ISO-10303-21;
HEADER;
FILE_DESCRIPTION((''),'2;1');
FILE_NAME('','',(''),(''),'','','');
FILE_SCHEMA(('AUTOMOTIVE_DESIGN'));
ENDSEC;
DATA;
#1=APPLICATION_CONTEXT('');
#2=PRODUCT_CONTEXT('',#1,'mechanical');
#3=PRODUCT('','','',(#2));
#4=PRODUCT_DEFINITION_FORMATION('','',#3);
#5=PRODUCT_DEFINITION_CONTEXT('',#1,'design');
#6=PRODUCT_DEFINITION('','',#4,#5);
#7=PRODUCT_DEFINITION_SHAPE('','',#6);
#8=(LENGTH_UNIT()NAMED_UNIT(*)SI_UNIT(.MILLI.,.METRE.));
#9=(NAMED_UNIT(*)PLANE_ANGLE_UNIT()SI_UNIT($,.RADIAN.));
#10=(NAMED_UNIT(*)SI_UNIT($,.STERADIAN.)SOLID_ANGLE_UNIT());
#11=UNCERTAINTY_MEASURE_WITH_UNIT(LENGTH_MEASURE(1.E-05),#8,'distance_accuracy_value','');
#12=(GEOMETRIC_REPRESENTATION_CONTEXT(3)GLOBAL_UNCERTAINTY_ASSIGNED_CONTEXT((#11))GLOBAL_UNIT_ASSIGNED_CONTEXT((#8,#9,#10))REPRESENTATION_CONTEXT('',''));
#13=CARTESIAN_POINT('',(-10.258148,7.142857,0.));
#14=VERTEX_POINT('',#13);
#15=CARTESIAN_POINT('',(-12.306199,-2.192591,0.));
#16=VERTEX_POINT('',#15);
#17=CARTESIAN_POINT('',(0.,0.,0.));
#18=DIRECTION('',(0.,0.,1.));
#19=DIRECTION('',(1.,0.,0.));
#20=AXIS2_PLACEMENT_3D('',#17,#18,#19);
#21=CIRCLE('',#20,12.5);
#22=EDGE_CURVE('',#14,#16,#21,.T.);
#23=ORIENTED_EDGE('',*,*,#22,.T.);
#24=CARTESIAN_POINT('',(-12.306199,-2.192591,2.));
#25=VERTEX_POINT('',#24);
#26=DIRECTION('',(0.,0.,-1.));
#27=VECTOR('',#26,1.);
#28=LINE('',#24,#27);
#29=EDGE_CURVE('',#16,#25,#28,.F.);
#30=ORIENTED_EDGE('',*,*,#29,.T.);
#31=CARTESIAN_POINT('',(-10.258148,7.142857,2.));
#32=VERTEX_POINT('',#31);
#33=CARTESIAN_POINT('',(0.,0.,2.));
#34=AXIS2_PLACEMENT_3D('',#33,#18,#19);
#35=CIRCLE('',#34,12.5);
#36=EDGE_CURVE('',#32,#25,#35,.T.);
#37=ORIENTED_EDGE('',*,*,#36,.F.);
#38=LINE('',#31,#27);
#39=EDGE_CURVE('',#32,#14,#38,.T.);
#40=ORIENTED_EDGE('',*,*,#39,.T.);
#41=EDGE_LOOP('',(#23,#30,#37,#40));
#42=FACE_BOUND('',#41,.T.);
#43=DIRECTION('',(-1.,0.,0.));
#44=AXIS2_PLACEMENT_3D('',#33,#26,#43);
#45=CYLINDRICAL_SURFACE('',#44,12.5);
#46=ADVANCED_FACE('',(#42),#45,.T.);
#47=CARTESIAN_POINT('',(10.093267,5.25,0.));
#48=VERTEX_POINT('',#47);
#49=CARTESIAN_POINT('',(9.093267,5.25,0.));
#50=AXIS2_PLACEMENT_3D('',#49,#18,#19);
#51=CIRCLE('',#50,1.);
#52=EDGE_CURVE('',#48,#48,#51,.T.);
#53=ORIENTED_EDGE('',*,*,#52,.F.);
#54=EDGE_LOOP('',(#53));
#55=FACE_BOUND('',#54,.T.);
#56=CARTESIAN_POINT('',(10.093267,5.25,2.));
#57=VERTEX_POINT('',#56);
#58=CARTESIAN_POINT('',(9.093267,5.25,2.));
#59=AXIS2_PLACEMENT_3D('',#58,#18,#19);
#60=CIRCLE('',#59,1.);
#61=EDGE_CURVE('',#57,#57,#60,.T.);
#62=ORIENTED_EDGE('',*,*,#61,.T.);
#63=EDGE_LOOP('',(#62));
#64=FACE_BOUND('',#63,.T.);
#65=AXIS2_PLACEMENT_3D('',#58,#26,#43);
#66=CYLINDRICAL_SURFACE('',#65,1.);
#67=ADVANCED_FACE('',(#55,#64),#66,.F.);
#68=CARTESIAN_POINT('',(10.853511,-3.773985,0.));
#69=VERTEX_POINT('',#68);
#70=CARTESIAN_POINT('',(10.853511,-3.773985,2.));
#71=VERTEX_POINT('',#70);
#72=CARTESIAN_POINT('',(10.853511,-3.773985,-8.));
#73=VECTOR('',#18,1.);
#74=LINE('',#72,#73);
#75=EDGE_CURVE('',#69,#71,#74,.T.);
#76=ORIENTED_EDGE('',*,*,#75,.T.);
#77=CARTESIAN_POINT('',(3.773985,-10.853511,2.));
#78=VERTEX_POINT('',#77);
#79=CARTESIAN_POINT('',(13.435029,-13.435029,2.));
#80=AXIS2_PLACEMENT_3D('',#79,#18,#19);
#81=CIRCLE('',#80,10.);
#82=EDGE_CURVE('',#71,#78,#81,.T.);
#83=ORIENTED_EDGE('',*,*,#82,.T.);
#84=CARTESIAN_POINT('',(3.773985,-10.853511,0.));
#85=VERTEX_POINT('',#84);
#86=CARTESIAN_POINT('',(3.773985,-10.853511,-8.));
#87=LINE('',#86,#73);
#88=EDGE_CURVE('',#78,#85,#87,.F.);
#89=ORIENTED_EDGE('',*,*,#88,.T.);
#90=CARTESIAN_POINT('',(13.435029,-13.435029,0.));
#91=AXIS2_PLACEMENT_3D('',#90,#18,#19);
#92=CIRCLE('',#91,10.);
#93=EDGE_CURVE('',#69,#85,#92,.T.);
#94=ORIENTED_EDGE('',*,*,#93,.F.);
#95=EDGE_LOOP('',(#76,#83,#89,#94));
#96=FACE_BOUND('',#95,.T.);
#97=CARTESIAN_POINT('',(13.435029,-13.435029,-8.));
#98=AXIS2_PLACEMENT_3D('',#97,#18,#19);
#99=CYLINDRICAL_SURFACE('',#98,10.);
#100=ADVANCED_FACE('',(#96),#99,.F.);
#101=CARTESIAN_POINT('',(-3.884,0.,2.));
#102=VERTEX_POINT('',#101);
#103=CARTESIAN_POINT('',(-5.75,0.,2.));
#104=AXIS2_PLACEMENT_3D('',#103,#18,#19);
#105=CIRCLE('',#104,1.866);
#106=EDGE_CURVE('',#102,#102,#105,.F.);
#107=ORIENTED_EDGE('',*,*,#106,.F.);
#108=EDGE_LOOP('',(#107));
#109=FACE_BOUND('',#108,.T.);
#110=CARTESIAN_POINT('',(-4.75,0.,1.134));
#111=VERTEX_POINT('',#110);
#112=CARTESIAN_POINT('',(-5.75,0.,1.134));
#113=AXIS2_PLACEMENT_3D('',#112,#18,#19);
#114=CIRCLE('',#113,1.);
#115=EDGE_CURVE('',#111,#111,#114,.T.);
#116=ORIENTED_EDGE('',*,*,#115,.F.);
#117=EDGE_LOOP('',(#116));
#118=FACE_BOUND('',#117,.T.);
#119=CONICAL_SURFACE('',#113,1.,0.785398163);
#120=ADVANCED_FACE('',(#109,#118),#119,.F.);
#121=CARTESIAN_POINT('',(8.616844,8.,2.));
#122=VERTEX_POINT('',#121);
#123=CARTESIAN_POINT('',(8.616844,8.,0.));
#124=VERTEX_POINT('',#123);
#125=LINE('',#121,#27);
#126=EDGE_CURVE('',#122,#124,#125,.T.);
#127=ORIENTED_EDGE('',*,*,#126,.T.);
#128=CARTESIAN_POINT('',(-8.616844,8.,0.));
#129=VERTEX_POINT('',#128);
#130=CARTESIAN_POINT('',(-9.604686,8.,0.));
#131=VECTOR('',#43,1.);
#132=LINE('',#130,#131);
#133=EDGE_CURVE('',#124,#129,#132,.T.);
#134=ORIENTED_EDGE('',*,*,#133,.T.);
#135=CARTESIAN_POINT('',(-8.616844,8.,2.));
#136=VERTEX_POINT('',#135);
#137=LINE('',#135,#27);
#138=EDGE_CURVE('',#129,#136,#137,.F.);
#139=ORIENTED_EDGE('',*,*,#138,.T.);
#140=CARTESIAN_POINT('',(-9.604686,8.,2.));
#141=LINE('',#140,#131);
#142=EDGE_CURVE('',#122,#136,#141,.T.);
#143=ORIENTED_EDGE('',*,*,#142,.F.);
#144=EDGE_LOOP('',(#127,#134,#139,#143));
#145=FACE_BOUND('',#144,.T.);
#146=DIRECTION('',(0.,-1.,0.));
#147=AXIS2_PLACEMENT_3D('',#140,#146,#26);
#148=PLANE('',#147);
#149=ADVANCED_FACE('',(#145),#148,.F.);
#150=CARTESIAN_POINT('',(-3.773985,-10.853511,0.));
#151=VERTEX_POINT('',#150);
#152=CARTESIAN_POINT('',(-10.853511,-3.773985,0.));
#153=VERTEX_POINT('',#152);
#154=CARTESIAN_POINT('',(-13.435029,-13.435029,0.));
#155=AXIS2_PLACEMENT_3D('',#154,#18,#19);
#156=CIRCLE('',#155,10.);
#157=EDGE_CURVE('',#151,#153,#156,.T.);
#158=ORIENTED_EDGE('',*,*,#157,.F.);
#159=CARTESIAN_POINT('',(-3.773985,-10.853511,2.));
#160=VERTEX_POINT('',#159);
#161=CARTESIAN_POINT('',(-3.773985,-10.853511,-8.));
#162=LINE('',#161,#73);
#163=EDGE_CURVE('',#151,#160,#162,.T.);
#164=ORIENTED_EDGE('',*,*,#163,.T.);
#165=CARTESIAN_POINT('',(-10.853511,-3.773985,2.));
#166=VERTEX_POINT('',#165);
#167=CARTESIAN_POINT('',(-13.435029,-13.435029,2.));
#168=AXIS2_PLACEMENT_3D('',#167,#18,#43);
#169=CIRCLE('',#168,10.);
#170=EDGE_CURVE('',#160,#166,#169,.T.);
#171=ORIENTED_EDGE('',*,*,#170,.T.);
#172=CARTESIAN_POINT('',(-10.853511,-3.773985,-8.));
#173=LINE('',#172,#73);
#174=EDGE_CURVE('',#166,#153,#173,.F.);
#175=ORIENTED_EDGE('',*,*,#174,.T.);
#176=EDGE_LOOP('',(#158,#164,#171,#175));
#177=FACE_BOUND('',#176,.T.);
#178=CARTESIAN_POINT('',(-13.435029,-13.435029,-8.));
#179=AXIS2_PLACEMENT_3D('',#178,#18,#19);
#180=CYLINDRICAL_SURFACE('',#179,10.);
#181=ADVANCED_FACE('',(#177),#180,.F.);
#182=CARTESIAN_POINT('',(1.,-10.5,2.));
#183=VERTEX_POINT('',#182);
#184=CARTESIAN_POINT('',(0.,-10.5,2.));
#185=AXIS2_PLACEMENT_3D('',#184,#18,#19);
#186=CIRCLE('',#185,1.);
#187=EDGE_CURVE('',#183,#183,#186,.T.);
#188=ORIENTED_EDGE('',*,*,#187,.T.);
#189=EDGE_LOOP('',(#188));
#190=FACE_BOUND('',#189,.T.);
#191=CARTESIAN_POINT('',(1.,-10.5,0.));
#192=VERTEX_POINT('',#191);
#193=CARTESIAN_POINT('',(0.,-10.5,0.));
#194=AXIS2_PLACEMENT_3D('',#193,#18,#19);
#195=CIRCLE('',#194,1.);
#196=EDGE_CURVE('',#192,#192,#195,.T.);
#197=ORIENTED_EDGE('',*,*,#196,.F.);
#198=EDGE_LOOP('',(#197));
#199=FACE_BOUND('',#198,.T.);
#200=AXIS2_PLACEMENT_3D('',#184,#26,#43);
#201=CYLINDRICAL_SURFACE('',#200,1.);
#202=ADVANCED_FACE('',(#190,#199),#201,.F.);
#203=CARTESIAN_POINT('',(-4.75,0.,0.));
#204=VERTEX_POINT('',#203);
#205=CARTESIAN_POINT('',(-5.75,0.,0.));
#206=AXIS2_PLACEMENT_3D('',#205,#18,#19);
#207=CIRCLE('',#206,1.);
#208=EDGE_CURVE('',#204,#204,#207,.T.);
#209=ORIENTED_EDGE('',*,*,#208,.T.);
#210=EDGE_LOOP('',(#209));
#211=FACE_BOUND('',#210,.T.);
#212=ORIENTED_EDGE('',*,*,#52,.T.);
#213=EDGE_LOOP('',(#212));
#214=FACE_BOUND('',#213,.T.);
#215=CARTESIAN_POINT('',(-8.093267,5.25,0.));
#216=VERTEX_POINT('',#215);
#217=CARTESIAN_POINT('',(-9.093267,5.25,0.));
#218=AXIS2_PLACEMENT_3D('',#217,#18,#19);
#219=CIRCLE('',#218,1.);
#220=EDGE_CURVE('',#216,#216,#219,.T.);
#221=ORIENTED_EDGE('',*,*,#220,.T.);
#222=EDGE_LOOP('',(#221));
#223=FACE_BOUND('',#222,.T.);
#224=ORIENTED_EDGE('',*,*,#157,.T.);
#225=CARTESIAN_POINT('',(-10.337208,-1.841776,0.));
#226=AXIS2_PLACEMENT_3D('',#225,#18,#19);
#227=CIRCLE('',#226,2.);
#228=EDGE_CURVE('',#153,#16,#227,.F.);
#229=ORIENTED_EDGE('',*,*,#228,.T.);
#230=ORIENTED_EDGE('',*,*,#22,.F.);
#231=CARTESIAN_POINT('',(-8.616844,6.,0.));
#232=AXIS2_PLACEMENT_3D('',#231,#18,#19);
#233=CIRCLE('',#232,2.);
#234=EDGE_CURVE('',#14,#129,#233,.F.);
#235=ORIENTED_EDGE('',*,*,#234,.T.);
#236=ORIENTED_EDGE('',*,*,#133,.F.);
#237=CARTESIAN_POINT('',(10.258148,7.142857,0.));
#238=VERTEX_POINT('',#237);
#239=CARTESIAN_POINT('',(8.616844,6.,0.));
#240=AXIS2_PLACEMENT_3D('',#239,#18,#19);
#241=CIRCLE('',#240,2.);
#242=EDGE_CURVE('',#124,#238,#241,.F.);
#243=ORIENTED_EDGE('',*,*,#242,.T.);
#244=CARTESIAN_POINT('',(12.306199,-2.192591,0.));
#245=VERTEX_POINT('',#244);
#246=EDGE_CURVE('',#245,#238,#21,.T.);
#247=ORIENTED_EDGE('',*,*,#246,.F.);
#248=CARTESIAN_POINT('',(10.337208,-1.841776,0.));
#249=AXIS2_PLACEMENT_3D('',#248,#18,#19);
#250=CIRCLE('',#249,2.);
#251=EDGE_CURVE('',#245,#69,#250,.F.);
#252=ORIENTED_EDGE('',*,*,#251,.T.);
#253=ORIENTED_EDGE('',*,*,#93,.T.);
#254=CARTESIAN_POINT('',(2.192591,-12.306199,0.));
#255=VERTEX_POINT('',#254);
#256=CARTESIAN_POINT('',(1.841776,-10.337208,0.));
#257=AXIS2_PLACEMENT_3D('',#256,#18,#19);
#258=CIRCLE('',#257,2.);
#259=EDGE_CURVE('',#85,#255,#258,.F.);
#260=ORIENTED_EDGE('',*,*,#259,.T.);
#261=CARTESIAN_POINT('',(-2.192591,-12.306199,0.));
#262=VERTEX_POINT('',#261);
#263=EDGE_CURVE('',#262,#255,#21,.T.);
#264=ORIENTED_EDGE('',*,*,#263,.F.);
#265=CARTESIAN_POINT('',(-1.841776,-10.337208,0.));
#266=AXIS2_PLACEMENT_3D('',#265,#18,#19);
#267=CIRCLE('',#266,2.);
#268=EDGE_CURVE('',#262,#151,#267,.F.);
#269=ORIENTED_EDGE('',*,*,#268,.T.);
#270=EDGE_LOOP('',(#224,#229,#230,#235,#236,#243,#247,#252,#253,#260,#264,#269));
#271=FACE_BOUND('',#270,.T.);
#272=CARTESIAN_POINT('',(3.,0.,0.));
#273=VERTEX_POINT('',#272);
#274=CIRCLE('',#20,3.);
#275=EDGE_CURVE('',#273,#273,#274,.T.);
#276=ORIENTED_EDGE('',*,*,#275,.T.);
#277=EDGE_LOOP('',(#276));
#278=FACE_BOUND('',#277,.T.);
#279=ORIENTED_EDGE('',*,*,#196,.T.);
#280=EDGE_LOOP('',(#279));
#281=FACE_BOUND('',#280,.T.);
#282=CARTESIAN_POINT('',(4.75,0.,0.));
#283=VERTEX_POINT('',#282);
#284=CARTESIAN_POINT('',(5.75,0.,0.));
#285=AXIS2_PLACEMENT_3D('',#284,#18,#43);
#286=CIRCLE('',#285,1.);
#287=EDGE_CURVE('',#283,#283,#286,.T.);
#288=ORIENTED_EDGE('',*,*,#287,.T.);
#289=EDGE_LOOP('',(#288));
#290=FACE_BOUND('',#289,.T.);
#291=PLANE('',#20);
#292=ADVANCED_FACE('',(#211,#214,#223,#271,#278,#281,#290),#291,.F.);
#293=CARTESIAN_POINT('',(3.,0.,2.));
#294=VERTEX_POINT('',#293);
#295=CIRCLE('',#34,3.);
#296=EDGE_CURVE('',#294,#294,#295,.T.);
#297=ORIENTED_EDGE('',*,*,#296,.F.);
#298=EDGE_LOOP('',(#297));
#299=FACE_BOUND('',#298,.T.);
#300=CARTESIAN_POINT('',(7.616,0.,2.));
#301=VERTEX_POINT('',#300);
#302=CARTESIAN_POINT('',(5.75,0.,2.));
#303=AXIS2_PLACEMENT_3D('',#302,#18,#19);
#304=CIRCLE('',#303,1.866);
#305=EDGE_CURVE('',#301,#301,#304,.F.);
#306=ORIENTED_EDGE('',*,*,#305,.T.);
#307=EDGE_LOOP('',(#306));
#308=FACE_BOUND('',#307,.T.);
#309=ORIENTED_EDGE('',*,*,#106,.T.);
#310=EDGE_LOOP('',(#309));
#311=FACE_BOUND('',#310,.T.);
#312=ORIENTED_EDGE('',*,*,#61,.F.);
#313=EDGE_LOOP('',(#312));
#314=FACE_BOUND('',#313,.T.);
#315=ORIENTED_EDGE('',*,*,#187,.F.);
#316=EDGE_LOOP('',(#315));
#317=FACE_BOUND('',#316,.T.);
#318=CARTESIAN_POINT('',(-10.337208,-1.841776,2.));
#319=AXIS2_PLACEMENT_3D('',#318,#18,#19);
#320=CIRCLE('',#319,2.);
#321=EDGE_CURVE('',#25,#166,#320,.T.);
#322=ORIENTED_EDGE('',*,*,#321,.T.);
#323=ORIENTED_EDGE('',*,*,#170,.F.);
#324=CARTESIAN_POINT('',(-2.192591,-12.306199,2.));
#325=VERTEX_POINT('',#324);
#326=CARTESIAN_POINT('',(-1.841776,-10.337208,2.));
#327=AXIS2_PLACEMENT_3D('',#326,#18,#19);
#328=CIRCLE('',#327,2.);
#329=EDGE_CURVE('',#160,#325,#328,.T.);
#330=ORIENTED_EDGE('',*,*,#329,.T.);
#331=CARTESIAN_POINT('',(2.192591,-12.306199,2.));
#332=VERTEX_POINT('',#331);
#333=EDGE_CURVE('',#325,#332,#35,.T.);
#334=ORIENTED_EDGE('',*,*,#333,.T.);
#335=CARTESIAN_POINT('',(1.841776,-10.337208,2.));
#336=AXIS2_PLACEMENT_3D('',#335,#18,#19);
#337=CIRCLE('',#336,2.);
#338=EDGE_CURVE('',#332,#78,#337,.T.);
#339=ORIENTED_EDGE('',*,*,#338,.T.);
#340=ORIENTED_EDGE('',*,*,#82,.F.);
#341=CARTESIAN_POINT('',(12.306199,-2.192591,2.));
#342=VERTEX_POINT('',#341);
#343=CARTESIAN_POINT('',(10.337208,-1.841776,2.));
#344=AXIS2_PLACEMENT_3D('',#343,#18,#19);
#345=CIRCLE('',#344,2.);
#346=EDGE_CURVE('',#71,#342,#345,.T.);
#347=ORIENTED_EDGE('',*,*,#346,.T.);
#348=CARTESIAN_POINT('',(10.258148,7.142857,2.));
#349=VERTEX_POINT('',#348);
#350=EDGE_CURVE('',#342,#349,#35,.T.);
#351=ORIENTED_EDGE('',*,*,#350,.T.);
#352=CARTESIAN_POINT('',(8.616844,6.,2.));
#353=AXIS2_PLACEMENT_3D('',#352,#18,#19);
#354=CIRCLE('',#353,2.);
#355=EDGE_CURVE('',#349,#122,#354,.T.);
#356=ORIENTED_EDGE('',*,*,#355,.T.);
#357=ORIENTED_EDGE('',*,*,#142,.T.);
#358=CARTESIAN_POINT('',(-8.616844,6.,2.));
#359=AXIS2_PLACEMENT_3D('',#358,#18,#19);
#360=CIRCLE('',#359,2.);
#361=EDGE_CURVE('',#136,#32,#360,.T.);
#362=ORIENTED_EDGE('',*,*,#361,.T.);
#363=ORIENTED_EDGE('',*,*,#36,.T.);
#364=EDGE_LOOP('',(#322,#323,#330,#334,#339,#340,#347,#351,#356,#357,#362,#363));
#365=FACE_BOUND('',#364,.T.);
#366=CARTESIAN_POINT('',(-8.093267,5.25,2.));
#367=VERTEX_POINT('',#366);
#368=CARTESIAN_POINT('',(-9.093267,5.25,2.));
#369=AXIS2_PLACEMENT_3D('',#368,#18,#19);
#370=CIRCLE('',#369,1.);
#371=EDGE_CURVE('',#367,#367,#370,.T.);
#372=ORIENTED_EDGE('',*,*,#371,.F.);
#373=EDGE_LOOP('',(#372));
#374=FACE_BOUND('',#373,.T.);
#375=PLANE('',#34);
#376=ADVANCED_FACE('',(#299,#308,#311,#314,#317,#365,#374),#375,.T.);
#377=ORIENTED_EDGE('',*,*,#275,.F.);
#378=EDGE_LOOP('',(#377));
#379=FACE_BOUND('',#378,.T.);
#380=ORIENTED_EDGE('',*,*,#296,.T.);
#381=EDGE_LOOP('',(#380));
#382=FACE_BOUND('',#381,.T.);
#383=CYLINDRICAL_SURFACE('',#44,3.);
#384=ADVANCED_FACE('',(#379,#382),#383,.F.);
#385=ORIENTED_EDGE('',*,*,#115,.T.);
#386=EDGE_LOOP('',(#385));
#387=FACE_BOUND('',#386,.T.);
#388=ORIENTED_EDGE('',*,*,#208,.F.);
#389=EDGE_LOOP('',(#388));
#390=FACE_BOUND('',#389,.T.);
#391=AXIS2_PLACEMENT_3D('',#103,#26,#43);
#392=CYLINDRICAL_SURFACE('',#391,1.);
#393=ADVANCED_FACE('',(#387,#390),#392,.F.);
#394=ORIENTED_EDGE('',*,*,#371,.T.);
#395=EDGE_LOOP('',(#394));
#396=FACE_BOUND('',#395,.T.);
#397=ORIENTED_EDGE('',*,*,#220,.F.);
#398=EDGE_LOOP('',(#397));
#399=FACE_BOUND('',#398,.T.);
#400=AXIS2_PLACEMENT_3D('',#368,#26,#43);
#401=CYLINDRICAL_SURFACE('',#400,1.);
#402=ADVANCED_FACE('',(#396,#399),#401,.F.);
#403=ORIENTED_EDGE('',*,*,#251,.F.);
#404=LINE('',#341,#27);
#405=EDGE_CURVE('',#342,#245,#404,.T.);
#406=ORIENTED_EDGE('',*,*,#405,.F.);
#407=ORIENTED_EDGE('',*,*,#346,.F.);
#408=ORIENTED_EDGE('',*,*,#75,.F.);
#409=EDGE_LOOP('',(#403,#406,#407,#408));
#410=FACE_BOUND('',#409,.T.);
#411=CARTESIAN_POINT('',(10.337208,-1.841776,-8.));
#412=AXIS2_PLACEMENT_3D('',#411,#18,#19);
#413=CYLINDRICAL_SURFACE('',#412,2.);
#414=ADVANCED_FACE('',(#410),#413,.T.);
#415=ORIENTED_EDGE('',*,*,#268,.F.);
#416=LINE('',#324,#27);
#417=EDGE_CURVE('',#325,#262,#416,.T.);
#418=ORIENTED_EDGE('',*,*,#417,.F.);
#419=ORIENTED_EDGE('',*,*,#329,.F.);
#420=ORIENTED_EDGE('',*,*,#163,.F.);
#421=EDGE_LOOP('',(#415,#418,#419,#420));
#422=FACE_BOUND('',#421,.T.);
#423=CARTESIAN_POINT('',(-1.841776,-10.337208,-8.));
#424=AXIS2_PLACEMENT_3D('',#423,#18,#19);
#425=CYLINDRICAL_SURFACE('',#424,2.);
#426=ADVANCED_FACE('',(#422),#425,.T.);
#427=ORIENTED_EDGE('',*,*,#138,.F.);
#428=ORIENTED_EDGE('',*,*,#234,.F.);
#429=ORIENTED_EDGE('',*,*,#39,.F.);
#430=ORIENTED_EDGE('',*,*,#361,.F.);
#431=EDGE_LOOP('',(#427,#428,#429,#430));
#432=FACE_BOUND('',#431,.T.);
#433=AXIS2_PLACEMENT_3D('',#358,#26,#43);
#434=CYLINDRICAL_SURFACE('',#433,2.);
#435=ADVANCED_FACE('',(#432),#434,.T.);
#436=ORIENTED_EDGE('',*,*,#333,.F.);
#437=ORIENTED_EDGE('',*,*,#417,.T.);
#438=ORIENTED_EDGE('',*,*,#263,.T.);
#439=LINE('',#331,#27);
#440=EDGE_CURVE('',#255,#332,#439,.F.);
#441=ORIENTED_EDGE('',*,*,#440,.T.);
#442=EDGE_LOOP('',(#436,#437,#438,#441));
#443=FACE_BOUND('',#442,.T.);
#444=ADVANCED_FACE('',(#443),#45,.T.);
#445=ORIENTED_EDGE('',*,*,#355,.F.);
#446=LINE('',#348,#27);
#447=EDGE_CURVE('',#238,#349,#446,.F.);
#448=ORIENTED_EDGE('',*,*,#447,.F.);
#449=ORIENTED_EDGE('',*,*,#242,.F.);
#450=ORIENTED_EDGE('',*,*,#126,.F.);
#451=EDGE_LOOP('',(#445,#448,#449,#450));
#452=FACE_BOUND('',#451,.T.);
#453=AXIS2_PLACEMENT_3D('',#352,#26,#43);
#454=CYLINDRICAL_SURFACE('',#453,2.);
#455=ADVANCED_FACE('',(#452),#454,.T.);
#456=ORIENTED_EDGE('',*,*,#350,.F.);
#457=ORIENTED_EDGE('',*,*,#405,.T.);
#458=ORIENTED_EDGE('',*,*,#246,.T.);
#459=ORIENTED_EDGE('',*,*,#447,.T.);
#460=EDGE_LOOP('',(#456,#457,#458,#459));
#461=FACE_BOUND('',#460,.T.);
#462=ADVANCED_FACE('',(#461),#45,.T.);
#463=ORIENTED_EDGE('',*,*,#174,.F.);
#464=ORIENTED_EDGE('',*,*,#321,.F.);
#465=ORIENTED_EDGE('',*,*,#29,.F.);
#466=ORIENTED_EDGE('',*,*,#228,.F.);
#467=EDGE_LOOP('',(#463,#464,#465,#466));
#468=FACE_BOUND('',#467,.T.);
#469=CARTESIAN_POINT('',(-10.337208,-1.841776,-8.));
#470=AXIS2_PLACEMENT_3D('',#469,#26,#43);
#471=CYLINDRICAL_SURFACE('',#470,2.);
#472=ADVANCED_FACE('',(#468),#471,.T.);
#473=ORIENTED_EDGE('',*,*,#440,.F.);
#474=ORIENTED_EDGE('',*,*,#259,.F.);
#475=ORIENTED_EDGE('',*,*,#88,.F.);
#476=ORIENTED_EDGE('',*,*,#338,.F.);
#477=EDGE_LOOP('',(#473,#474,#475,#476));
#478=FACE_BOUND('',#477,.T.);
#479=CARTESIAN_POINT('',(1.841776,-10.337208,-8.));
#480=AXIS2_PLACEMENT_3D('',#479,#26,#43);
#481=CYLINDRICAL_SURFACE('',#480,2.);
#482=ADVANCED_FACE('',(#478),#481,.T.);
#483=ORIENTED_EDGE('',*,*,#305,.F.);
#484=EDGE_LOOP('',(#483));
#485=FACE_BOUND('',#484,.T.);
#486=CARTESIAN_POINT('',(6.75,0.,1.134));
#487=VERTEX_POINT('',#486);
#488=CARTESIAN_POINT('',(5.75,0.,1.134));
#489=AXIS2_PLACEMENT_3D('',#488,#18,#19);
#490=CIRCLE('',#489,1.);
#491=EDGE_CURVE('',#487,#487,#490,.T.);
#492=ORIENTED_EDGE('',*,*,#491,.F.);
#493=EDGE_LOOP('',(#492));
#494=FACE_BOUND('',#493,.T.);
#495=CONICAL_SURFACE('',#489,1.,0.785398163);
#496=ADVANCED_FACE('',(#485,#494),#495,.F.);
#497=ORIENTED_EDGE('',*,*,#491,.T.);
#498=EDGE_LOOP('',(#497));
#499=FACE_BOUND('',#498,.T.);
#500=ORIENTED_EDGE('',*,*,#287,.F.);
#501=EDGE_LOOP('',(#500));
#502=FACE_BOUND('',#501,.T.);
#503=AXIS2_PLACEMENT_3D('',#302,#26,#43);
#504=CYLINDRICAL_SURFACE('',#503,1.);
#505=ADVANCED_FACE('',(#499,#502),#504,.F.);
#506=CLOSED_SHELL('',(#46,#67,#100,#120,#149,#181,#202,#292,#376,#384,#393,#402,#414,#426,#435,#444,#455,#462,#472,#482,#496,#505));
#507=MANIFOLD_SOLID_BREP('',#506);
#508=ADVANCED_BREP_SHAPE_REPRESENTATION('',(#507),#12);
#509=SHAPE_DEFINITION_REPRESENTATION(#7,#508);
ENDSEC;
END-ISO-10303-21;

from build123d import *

# Parameters (mm, degrees)
SKETCH_1_R          = 1
SKETCH_1_R_2        = 3
EXTRUDE_1_DEPTH     = 2
CUT_EXTRUDE_START   = -10
CUT_EXTRUDE_1_DEPTH = 10
FILLET_1_R          = 2
CHAMFER_1_SIZE      = 0.866


with BuildPart() as part:
    # 草图1 → 凸台-拉伸1 (new body)
    with BuildSketch(Plane.XY):
        with BuildLine():
            Line((-9.604686356, 8), (9.604686356, 8))
            ThreePointArc((9.604686356, 8), (0, -12.5), (-9.604686356, 8))
        make_face()
        with Locations((0, -10.5)):
            Circle(SKETCH_1_R, mode=Mode.SUBTRACT)
        with Locations((-9.09326674, 5.25)):
            Circle(SKETCH_1_R, mode=Mode.SUBTRACT)
        with Locations((9.09326674, 5.25)):
            Circle(SKETCH_1_R, mode=Mode.SUBTRACT)
        with Locations((-5.75, 0)):
            Circle(SKETCH_1_R, mode=Mode.SUBTRACT)
        with Locations(Location((5.75, 0, 0), (0, 0, 180))):
            Circle(SKETCH_1_R, mode=Mode.SUBTRACT)
        Circle(SKETCH_1_R_2, mode=Mode.SUBTRACT)
    extrude(amount=EXTRUDE_1_DEPTH)

    # 草图2 → 切除-拉伸1 (cut)
    with BuildSketch(Plane.XY.offset(2).offset(CUT_EXTRUDE_START)):
        with BuildLine():
            ThreePointArc((-11.98818711, -3.540249967), (-6.363961031, -6.363961031), (-3.540249967, -11.98818711))
            ThreePointArc((-3.540249967, -11.98818711), (-8.838834765, -8.838834765), (-11.98818711, -3.540249967))
        make_face()
        with BuildLine():
            ThreePointArc((11.98818711, -3.540249967), (6.363961031, -6.363961031), (3.540249967, -11.98818711))
            ThreePointArc((3.540249967, -11.98818711), (8.838834765, -8.838834765), (11.98818711, -3.540249967))
        make_face()
    extrude(amount=CUT_EXTRUDE_1_DEPTH, mode=Mode.SUBTRACT)

    # 圆角1
    fillet_1_edges = [part.edges().sort_by_distance(p)[0] for p in [
        (-3.540249967, -11.98818711, 1),
        (-11.98818711, -3.540249967, 1),
        (-9.604686356, 8, 1),
        (11.98818711, -3.540249967, 1),
        (9.604686356, 8, 1),
        (3.540249967, -11.98818711, 1),
    ]]
    fillet(fillet_1_edges, radius=FILLET_1_R)

    # 倒角1
    chamfer_1_edges = [part.edges().sort_by_distance(p)[0] for p in [
        (-6.75, 0, 2),
        (6.75, 0, 2),
    ]]
    chamfer(chamfer_1_edges, length=CHAMFER_1_SIZE)


solid = part.part
